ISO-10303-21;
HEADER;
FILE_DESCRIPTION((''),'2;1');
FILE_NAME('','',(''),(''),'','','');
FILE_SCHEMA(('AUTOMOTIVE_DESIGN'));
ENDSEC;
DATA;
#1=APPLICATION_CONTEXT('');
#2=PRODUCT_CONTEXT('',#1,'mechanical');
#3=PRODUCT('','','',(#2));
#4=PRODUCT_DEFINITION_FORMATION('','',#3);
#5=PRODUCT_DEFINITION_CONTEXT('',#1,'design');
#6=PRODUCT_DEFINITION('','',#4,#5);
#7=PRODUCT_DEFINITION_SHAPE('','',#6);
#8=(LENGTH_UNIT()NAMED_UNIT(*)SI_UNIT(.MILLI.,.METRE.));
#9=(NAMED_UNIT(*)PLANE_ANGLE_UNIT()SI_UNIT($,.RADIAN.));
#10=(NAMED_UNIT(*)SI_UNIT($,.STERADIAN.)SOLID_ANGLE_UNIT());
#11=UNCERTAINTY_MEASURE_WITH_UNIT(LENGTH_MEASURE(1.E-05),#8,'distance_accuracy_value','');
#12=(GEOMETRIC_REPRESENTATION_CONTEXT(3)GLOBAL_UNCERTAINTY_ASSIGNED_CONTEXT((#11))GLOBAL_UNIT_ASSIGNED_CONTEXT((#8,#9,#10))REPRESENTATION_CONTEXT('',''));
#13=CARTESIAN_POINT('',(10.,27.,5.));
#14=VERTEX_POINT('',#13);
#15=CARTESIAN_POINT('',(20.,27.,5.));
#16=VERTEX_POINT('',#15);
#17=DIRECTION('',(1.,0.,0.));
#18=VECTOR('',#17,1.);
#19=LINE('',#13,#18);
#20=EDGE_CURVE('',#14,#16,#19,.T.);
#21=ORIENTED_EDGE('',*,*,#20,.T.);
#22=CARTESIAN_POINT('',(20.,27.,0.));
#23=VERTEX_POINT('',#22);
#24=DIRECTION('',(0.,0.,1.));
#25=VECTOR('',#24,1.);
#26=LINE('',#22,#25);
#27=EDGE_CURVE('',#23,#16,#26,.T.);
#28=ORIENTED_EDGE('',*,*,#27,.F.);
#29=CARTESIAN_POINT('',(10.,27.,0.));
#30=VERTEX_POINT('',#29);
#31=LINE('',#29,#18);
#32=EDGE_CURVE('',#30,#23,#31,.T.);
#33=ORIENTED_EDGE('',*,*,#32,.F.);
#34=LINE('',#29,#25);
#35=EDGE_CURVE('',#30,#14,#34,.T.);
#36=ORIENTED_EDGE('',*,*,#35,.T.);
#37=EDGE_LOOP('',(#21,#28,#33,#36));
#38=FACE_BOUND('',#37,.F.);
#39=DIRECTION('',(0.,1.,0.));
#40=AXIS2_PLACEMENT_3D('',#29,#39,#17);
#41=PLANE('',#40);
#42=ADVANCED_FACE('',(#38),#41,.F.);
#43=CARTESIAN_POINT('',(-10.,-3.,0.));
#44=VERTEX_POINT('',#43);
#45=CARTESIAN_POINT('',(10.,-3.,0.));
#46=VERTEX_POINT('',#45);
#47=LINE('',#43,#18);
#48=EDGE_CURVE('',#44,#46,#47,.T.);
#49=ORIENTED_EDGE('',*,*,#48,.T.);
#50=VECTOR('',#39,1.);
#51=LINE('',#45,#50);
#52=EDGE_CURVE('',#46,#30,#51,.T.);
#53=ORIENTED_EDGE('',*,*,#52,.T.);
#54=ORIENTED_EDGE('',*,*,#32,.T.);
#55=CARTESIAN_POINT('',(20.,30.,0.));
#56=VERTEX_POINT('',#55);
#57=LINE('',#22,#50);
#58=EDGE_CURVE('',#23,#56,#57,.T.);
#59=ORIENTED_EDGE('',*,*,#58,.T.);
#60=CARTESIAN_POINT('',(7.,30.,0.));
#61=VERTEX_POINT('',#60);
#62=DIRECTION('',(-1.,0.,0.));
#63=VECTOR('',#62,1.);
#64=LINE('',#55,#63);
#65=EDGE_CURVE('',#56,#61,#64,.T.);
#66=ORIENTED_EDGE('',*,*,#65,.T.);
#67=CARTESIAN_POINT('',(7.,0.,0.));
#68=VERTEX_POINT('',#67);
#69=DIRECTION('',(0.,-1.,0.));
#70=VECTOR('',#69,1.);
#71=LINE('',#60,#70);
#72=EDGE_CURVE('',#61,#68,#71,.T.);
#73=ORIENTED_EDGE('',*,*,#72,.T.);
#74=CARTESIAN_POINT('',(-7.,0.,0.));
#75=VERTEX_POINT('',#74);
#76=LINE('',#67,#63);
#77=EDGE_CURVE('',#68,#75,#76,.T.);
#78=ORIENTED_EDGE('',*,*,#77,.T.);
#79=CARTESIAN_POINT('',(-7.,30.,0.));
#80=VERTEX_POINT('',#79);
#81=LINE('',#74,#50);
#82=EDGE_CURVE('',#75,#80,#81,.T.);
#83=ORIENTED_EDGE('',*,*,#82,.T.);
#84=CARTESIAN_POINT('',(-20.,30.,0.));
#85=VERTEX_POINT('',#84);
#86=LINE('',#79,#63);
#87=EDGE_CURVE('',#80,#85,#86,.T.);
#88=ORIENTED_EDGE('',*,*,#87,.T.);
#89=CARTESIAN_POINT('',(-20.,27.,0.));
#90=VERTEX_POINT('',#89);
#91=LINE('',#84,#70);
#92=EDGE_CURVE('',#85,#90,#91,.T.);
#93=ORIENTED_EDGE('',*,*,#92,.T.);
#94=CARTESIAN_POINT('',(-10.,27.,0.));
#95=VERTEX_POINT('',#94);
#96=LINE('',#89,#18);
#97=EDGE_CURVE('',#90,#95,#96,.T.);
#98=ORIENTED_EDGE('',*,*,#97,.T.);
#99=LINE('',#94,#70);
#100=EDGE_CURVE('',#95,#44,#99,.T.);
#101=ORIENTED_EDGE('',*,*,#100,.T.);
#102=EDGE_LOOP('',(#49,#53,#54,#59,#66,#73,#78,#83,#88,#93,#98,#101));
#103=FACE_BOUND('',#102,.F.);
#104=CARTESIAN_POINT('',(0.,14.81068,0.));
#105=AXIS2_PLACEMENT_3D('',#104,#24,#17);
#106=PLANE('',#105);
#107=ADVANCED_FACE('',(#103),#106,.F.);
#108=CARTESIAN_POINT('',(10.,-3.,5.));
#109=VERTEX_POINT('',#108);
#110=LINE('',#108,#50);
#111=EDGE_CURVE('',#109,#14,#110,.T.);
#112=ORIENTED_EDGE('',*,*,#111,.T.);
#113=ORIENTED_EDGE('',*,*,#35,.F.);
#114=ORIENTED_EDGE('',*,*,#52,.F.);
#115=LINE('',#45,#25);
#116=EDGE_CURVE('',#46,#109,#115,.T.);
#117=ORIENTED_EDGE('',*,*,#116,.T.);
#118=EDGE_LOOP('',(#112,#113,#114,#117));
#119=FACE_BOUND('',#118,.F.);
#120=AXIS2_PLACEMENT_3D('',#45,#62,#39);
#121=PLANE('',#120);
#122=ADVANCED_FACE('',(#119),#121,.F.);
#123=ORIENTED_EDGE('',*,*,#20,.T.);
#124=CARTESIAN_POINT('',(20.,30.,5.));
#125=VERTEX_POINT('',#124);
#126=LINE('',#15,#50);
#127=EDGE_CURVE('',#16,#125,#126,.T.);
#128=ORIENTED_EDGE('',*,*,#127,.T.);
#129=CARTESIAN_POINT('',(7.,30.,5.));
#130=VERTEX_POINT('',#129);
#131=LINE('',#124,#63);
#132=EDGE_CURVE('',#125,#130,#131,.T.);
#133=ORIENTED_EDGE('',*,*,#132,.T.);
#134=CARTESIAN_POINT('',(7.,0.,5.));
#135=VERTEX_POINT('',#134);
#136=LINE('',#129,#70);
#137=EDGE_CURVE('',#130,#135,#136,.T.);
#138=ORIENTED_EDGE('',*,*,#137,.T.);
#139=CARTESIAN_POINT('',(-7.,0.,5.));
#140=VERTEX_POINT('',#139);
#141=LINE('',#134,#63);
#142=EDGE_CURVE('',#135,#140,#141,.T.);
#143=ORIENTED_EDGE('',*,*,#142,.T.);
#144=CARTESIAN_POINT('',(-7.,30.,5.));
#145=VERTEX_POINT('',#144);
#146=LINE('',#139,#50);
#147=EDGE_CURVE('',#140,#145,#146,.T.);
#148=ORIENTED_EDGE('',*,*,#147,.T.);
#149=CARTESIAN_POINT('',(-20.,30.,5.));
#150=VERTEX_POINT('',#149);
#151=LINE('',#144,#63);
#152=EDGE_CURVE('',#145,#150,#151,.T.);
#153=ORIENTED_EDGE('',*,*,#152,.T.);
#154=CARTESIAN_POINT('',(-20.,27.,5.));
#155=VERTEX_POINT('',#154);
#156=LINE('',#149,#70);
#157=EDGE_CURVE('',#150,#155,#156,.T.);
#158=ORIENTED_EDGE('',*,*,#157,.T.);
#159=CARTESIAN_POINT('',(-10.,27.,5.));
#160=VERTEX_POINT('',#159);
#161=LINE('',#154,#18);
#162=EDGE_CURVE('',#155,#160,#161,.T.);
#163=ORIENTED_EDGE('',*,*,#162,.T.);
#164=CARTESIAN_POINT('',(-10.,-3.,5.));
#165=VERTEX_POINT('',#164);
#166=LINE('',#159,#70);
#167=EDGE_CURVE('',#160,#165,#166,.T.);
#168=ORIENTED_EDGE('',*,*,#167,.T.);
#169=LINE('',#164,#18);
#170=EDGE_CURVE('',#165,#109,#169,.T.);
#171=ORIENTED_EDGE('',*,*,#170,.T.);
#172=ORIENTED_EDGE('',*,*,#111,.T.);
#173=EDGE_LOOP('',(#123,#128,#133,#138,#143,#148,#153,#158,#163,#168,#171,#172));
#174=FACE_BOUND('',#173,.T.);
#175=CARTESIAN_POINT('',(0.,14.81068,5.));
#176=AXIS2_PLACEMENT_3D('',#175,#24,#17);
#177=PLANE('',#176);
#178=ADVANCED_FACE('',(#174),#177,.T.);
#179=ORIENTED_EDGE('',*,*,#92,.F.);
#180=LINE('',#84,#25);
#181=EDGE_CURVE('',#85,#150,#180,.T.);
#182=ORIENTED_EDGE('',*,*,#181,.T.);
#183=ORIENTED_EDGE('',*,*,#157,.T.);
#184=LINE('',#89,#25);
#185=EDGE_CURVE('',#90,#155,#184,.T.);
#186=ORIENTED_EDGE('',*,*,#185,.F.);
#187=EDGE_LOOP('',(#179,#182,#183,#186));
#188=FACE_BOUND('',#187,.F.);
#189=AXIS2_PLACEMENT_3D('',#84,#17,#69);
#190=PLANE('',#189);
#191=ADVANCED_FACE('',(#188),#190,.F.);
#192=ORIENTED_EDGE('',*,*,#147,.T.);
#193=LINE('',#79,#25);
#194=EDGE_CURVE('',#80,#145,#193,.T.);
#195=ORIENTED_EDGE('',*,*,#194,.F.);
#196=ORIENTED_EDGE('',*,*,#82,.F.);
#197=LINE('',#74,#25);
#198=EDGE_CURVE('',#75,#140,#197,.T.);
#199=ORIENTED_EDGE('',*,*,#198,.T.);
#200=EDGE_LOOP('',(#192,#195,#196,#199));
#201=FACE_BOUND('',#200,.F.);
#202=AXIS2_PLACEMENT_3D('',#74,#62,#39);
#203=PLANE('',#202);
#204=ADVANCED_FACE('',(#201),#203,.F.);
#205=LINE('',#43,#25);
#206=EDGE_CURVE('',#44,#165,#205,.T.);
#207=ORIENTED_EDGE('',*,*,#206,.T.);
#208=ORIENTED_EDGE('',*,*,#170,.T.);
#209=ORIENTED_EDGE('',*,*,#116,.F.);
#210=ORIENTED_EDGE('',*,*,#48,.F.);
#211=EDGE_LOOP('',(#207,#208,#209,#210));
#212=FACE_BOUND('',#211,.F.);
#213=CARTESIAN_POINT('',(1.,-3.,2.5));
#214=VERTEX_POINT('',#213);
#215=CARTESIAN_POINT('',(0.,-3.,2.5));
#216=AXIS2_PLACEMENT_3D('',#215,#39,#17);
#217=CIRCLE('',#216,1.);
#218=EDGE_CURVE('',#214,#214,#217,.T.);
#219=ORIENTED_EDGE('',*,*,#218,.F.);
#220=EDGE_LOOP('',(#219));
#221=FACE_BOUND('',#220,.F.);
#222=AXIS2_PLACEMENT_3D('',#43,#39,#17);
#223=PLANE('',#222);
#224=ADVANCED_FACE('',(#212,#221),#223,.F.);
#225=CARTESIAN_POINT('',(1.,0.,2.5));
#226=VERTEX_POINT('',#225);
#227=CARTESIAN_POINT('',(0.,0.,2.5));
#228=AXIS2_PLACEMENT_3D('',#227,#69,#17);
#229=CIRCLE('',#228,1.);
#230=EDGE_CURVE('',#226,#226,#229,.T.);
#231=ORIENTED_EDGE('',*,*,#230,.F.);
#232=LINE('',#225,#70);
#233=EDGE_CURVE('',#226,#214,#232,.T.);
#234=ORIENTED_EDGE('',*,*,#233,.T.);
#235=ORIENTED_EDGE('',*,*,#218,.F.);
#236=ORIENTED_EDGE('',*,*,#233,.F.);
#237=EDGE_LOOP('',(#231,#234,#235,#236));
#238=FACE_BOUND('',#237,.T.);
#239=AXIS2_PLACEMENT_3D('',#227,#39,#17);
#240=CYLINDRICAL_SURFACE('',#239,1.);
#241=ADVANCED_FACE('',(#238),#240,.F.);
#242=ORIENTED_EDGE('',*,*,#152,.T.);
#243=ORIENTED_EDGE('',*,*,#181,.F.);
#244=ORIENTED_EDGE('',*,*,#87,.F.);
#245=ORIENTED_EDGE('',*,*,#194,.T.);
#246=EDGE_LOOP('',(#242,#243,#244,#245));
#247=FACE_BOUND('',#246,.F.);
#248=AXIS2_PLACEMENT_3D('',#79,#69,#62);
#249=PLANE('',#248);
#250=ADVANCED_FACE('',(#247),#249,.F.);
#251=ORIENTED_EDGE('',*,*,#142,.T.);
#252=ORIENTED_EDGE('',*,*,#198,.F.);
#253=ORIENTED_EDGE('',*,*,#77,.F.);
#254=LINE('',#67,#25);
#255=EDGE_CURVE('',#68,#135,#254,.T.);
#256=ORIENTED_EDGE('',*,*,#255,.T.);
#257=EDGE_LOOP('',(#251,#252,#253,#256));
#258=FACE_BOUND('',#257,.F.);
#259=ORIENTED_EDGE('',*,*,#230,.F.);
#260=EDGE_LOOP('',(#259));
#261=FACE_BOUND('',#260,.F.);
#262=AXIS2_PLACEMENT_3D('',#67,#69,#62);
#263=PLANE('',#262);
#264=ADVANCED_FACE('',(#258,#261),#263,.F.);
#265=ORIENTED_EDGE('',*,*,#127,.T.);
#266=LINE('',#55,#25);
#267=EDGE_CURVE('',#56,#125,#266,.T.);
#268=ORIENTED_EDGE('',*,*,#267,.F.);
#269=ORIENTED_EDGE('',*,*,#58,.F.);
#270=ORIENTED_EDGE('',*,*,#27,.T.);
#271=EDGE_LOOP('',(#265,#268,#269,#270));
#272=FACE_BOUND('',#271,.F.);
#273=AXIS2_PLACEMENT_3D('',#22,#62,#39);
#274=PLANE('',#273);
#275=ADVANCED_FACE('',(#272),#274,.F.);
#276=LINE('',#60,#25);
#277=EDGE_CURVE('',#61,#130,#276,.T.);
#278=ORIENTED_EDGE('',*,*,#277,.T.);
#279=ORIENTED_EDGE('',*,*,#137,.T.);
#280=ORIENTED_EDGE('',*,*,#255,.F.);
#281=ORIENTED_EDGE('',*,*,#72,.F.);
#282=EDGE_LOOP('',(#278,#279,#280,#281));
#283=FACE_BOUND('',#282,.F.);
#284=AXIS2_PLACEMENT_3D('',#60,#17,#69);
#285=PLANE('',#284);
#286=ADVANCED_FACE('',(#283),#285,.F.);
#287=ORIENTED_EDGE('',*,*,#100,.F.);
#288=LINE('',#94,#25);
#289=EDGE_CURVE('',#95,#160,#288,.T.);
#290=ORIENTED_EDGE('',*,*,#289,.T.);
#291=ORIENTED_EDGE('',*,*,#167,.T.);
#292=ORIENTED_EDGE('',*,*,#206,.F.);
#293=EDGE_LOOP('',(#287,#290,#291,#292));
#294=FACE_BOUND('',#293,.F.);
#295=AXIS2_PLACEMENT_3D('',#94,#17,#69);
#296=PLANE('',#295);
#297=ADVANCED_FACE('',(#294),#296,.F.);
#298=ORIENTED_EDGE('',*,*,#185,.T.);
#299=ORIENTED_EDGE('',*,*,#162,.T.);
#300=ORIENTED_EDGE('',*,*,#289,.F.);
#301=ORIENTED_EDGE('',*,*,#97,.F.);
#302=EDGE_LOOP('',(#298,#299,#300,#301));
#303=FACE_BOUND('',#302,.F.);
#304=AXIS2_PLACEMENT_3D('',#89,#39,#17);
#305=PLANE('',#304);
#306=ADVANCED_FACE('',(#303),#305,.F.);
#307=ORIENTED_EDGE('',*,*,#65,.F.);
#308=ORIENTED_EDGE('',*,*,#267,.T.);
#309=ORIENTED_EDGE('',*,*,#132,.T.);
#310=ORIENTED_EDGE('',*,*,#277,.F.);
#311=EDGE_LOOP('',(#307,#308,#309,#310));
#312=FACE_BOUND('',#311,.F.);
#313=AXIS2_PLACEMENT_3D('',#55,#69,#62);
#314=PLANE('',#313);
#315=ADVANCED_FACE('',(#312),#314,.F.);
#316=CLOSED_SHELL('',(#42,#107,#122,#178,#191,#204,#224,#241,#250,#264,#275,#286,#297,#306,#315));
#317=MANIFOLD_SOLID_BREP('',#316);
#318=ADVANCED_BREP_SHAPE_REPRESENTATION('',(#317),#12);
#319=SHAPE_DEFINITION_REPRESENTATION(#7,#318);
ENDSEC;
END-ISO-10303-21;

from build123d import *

# Parameters (mm, degrees)
PAD_DEPTH         = 5
SKETCH001_R       = 1
POCKET_DEPTH      = 30.001
POCKET_DEPTH_BACK = -3.001


with BuildPart() as part:
    # Sketch → Pad (new body)
    with BuildSketch(Plane.XY):
        Polygon((7, 0), (-7, 0), (-7, 30), (-20, 30), (-20, 27), (-10, 27), (-10, -3), (10, -3), (10, 27), (20, 27), (20, 30), (7, 30), align=None)
    extrude(amount=PAD_DEPTH)

    # Sketch001 → Pocket (cut, two sides)
    with BuildSketch(Plane.XZ) as pocket_sk:
        with Locations((0, 2.5)):
            Circle(SKETCH001_R)
    extrude(amount=-POCKET_DEPTH, mode=Mode.SUBTRACT)
    extrude(pocket_sk.sketch, amount=-POCKET_DEPTH_BACK, mode=Mode.SUBTRACT)


solid = part.part
